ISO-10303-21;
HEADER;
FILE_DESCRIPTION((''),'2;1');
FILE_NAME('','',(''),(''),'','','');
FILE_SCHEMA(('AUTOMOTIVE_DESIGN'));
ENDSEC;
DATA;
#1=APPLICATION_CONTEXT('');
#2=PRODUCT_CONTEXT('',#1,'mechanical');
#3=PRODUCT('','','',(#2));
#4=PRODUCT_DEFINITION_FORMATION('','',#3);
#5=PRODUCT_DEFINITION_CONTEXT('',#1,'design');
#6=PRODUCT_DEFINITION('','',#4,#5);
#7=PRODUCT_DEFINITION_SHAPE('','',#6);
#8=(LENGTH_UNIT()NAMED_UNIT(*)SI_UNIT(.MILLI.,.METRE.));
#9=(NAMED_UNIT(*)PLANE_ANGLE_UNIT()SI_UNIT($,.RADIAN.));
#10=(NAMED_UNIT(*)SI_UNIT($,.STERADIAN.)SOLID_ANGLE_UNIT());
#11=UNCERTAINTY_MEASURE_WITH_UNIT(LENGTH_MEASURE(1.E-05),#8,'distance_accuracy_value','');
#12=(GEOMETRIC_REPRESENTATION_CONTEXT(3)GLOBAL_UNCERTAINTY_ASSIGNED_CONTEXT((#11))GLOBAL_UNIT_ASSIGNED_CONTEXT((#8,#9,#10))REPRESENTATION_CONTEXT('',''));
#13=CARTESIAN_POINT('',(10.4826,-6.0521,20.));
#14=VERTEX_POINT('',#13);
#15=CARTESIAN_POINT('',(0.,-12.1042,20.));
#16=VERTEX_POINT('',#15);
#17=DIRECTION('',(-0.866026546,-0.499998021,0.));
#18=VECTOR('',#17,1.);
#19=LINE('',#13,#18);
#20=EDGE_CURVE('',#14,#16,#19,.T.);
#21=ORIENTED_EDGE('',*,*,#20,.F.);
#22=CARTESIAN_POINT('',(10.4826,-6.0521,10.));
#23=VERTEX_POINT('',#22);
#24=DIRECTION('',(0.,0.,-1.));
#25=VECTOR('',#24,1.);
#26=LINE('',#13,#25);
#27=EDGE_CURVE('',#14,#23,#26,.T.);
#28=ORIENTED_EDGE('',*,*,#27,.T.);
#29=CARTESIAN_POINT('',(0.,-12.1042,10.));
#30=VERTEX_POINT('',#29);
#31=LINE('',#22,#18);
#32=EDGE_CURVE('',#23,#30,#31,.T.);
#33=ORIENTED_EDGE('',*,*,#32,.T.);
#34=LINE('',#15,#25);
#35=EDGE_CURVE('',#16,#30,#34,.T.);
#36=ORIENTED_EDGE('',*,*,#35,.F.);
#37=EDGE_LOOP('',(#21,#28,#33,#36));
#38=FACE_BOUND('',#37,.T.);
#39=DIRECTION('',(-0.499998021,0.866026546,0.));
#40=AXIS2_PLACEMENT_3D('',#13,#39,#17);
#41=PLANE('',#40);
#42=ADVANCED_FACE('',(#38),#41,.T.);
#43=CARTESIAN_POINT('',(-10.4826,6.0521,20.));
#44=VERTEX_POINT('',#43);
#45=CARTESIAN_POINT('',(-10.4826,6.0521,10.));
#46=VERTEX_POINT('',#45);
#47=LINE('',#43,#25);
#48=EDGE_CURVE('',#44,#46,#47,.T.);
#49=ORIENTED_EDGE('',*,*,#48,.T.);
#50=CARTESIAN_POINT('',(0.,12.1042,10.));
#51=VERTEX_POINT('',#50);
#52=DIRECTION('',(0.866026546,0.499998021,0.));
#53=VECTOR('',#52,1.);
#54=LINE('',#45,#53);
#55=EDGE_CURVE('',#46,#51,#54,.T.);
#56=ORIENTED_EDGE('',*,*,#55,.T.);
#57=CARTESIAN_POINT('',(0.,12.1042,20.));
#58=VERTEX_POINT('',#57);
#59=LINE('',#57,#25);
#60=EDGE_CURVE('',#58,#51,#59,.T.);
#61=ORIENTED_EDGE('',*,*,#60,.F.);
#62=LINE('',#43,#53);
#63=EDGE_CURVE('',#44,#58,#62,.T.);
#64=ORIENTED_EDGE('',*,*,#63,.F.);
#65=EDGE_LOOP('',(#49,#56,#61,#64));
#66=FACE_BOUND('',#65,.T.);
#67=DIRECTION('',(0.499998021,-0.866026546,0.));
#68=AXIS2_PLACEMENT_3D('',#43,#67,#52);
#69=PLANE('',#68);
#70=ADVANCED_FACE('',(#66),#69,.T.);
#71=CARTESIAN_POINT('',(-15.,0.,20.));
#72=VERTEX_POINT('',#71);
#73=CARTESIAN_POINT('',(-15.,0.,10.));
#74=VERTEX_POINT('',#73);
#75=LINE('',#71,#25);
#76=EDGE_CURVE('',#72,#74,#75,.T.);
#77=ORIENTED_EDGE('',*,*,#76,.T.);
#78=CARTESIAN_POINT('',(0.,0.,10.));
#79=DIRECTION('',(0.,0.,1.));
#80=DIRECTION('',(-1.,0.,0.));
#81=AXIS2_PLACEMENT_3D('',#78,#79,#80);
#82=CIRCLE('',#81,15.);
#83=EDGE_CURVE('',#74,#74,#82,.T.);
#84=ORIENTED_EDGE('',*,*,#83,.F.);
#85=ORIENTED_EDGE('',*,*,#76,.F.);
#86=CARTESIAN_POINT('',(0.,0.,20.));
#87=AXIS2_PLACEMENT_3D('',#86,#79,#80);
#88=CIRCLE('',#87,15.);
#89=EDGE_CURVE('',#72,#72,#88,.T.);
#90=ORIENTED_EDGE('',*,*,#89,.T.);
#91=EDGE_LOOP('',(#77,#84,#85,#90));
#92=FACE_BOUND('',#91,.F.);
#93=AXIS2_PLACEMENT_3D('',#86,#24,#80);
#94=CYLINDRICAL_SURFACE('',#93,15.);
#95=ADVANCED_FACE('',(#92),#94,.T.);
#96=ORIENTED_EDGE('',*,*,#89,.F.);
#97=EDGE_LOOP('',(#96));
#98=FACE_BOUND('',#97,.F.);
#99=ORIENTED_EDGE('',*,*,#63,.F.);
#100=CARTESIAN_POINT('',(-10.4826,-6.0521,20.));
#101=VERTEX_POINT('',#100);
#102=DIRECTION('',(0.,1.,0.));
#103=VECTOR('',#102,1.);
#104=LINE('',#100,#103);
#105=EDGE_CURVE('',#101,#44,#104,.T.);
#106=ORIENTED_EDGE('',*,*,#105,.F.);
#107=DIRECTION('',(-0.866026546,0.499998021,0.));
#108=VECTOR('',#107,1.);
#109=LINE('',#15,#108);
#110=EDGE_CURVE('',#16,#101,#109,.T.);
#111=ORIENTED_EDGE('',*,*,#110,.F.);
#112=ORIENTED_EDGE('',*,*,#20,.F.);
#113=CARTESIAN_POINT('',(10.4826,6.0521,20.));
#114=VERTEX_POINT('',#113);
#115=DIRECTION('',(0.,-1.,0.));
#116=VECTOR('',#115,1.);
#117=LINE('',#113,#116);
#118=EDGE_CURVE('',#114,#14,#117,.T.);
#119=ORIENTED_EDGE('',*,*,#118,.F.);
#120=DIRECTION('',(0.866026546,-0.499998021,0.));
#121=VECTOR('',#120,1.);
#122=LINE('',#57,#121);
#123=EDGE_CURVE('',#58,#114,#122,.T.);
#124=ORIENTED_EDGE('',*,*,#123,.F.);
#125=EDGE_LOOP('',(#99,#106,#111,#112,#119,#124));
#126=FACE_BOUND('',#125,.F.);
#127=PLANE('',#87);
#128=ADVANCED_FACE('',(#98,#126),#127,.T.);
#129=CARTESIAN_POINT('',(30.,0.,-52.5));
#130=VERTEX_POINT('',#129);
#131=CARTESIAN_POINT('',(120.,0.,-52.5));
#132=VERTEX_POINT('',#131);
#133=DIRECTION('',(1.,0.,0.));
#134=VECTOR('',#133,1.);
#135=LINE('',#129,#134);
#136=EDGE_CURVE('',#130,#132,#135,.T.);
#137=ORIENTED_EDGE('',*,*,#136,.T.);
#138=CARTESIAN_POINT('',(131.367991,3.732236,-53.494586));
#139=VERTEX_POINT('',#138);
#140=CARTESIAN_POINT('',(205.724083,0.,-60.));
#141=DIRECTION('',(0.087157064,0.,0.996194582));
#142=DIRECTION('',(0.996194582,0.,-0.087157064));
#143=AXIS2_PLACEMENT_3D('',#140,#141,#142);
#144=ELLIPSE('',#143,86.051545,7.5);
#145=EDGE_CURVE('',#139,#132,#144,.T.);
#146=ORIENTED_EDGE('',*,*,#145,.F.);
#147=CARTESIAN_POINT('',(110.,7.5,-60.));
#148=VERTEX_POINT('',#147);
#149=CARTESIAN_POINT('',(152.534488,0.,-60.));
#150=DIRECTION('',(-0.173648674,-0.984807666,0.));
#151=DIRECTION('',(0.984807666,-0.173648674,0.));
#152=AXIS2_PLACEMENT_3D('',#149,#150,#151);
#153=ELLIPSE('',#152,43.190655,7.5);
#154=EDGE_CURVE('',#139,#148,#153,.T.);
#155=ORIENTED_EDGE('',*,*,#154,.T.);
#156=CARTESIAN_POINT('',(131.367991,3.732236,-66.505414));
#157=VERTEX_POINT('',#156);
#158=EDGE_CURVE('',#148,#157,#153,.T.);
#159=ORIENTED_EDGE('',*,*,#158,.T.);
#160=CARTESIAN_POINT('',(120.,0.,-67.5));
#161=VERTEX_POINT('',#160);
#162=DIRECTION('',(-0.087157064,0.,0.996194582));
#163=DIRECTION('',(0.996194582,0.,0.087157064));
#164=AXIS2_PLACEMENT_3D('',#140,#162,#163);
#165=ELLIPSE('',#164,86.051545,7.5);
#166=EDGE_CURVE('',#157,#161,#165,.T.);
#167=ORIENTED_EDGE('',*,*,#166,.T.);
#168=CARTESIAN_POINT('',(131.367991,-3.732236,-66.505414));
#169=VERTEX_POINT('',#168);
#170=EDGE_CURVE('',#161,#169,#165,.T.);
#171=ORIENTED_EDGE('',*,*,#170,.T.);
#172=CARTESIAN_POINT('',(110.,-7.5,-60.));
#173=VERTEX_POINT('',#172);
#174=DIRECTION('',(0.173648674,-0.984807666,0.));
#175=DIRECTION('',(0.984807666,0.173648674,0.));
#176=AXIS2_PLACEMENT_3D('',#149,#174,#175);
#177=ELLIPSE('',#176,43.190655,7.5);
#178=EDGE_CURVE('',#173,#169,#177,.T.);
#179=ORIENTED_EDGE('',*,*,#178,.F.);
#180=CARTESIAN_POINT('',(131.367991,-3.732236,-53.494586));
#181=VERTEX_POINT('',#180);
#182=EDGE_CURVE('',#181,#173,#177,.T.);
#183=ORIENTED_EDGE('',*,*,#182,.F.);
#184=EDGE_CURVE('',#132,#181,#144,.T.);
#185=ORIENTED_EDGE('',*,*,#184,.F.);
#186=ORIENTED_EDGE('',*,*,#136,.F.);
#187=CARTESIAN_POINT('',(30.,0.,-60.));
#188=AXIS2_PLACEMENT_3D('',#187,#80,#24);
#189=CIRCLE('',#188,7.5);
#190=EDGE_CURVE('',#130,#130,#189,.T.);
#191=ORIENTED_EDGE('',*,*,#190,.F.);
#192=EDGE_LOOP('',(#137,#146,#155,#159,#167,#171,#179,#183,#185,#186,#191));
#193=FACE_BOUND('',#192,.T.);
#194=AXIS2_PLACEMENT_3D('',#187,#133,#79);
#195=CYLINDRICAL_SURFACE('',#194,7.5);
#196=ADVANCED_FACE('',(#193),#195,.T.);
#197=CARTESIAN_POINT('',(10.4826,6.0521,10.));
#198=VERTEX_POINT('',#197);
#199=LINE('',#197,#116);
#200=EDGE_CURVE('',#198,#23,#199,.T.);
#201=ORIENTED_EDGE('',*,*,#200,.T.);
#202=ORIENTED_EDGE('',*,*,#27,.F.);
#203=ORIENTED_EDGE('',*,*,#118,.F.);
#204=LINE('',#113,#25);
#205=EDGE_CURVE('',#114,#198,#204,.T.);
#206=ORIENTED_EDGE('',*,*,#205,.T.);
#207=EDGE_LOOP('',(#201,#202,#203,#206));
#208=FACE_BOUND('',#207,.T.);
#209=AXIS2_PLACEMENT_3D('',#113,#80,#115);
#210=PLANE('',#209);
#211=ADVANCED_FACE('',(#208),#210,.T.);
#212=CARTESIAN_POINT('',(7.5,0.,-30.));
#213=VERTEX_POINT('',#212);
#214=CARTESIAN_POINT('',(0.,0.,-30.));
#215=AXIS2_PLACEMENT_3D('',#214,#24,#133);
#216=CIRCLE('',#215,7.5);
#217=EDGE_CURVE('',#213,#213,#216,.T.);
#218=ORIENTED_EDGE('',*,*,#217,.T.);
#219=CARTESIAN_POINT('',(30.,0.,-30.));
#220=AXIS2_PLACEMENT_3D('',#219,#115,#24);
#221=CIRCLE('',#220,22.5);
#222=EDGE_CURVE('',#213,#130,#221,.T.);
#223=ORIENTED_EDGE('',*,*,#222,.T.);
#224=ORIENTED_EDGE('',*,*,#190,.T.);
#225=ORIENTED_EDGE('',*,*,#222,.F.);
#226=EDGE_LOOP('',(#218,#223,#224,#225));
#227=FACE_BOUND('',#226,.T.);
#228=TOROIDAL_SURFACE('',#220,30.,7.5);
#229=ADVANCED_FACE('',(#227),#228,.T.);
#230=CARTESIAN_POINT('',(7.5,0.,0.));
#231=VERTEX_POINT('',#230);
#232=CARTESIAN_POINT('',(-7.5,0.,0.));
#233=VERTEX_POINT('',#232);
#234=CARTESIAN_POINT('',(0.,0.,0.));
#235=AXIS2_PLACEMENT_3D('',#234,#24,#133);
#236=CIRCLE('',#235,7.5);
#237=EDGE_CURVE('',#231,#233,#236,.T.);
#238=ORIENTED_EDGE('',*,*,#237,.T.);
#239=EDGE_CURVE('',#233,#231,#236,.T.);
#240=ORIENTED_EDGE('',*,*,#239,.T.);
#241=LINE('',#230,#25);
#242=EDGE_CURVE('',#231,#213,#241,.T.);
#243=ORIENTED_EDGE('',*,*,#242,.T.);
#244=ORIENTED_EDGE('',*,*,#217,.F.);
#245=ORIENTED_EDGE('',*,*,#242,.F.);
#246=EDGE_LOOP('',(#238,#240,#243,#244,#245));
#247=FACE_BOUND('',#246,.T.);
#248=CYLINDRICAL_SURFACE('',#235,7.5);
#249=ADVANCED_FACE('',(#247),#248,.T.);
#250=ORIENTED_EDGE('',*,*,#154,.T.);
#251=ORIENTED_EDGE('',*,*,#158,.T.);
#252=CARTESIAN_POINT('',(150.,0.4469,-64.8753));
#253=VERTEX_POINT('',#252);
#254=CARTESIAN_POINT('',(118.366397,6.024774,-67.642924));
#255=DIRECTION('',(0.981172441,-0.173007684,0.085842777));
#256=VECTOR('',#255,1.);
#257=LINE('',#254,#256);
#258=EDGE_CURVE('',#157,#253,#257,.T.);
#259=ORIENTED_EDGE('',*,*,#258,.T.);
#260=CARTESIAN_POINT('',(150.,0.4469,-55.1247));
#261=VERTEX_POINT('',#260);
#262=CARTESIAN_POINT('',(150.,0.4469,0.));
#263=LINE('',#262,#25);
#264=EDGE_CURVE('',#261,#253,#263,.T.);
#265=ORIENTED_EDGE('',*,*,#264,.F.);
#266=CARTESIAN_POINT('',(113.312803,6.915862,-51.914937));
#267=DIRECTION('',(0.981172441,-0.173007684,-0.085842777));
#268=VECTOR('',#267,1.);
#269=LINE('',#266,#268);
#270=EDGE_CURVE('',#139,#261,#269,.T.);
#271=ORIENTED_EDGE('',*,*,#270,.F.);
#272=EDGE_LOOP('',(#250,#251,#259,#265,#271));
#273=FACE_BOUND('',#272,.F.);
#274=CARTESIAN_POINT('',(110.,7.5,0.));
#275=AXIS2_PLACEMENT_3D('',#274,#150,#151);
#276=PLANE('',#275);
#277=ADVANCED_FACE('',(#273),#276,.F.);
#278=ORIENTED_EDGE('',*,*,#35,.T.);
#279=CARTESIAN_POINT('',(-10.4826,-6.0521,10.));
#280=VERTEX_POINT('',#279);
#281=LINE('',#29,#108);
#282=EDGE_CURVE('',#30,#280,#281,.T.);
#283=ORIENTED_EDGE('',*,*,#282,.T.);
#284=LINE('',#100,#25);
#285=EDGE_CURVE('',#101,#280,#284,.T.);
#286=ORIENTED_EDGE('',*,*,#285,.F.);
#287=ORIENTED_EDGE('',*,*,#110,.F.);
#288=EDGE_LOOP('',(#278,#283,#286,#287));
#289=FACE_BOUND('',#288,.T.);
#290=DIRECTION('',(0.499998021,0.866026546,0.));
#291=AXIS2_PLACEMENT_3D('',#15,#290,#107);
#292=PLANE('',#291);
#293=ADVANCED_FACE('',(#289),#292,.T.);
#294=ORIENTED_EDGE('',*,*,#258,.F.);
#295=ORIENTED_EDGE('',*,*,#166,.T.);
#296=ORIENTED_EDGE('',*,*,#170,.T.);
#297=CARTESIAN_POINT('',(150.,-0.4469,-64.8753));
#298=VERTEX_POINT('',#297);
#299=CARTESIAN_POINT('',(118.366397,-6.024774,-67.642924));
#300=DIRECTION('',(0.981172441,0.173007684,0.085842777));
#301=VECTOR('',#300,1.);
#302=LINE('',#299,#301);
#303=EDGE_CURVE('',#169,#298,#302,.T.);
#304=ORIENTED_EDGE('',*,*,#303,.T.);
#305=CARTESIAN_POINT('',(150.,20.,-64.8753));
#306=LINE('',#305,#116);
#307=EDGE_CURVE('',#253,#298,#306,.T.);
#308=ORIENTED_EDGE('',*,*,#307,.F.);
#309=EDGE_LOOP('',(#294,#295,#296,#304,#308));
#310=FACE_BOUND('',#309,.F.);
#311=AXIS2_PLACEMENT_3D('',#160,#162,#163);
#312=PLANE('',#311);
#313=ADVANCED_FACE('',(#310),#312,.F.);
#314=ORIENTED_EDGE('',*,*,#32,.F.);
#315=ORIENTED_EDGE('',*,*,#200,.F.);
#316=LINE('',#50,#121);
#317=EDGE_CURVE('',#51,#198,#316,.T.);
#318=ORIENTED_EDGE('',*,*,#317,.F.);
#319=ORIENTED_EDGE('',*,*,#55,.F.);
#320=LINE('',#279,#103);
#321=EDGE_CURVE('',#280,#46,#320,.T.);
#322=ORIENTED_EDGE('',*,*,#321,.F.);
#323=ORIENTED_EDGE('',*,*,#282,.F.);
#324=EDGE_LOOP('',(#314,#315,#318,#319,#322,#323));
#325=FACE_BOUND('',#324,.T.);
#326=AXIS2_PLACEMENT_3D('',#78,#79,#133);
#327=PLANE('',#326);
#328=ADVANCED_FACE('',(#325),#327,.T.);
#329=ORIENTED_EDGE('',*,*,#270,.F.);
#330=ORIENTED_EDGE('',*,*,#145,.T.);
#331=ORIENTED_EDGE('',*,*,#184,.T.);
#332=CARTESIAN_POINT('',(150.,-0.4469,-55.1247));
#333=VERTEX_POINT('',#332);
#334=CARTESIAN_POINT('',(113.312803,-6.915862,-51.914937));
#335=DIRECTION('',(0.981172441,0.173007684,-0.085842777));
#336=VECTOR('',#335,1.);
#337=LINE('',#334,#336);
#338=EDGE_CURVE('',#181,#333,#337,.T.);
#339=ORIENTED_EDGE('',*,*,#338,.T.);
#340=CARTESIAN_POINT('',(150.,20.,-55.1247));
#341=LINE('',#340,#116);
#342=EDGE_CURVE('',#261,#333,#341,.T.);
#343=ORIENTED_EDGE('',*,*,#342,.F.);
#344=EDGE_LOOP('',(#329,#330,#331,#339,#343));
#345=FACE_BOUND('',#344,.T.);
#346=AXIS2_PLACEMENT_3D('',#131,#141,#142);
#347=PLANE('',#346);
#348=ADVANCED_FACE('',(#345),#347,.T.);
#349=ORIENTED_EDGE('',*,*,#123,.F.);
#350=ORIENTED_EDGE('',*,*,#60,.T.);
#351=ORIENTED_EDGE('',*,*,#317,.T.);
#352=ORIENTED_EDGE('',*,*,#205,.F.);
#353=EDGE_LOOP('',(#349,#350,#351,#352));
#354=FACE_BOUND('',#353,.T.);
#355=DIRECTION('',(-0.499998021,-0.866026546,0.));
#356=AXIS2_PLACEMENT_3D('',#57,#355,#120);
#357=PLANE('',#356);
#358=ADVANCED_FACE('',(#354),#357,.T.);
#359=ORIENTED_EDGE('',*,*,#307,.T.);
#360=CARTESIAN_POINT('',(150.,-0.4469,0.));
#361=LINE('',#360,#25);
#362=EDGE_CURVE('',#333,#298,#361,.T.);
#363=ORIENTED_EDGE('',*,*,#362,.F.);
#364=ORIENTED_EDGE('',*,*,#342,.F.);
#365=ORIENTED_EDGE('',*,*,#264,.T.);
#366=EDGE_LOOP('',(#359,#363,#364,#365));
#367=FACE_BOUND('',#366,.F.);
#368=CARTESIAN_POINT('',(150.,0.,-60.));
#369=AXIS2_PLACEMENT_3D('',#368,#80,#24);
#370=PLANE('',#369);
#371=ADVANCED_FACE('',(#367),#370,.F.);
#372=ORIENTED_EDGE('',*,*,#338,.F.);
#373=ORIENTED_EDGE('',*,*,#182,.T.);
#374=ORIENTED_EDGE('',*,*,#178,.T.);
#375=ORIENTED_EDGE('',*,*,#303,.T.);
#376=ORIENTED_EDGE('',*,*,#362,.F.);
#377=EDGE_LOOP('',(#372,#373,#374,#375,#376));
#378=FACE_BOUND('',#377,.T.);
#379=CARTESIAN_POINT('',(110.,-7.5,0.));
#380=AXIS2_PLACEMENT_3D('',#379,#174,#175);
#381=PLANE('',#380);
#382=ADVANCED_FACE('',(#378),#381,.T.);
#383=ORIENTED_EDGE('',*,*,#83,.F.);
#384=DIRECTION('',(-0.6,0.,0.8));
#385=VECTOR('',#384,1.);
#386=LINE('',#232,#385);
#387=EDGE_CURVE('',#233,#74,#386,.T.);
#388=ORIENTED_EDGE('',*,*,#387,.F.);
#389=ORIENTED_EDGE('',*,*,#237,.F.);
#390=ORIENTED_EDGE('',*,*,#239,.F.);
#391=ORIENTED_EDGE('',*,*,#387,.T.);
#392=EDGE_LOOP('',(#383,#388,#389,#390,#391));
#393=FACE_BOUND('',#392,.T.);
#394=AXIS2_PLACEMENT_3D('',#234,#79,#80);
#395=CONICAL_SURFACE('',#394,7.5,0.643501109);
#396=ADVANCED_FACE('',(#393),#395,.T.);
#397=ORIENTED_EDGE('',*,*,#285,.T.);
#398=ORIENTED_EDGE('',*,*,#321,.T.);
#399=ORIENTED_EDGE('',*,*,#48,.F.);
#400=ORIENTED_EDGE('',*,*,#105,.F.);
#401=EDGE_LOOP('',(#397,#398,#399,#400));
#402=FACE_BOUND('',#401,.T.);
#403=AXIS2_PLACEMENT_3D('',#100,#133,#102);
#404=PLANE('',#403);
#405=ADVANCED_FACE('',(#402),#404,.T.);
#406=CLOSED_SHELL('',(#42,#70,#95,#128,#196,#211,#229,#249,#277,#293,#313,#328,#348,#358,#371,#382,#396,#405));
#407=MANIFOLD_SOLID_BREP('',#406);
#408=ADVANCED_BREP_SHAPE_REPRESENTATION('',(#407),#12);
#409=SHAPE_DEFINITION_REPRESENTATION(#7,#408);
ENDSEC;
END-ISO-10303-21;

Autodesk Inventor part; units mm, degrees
ref_plane "YZ Plane" through (0, 0, 0) normal (1, 0, 0) x (0, 1, 0)
ref_plane "XZ Plane" through (0, 0, 0) normal (0, 1, 0) x (-1, 0, 0)
ref_plane "XY Plane" through (0, 0, 0) normal (0, 0, 1) x (1, 0, 0)
sketch "Эскиз1" plane through (0, 0, 0) normal (0, 1, 0) x (-1, 0, 0)
  line L0 (0, 0) -> (0, -30)
  line L1 (-30, -60) -> (-150, -60)
  arc A0 (-30, -60) -> (0, -30) centre (-30, -30) ccw
  point P0 (0, -60)
  dimension "d0" = 60
  dimension "d1" = 150
  dimension "d2" = 30
sketch "Эскиз2" plane through (0, 0, 0) normal (0, 0, 1) x (1, 0, 0)
  circle A0 centre (0, 0) radius 7.5
  dimension "d3" = 15
sweep "Сдвиг1" add profiles "Эскиз2" path "Эскиз1"
sketch "Эскиз3" plane through (0, 0, 0) normal (0, 1, 0) x (-1, 0, 0)
  line L0 (-120, -52.5) -> (-150, -55.1247)
  line L1 (-120, -67.5) -> (-150, -64.8753)
  line L2 (-150, -64.8753) -> (-150, -55.1247)
  line L3 (-150, -52.5) -> (-150, -67.5) projected
  line L4 (-120, -52.5) -> (-150.8821, -45.0422)
  line L5 (-150.8821, -45.0422) -> (-158.2895, -61.433)
  line L6 (-158.2895, -61.433) -> (-150, -78.5011)
  line L7 (-150, -78.5011) -> (-120, -67.5)
  point P0 (0, 0)
extrude "Выдавливание1" cut sketch "Эскиз3" against normal mid plane 40
sketch "Эскиз4" plane through (0, 0, 0) normal (0, 0, 1) x (1, 0, 0)
  line L0 (30, 7.5) -> (150, 7.5) projected
  line L1 (110, 7.5) -> (150.3931, 7.5) construction
  line L2 (30, -7.5) -> (150, -7.5) projected
  line L3 (110, 7.5) -> (159.1062, 20.8998)
  line L4 (159.1062, 20.8998) -> (172.0854, -18.5057)
  line L5 (172.0854, -18.5057) -> (124.0272, -32.5373)
  line L6 (124.0272, -32.5373) -> (110, -7.5)
  line L7 (110, 7.5) -> (150, 0.4469)
  line L8 (150, -5.6992) -> (150, 5.6992) projected
  line L9 (110, 7.5) -> (150.6171, 7.5) construction
  line L10 (110, -7.5) -> (150, -0.4469)
  line L11 (150, 0.4469) -> (150, -0.4469)
  point P0 (0, 0)
  dimension "d13" = 10
extrude "Выдавливание2" cut sketch "Эскиз4" against normal blind 120
sketch "Эскиз5" plane through (0, 0, 0) normal (0, 1, 0) x (-1, 0, 0)
  line L0 (0, 0) -> (0, 20)
  line L1 (0, 20) -> (15, 20)
  line L2 (15, 20) -> (15, 10)
  line L3 (7.5, 0) -> (-7.5, 0) projected
  line L4 (7.5, 0) -> (15, 10)
  dimension "d14" = 20
  dimension "d15" = 15
  dimension "d16" = 10
revolve "Вращение1" add sketch "Эскиз5" angle 360 about axis through (0, 0, 0) along (0, 0, 1)
sketch "Эскиз10" plane through (0, 0, 20) normal (0, 0, 1) x (1, 0, 0)
  line L0 (0, 12.1042) -> (10.4826, 6.0521)
  line L1 (10.4826, 6.0521) -> (10.4826, -6.0521)
  line L2 (10.4826, -6.0521) -> (0, -12.1042)
  line L3 (0, -12.1042) -> (-10.4826, -6.0521)
  line L4 (-10.4826, -6.0521) -> (-10.4826, 6.0521)
  line L5 (-10.4826, 6.0521) -> (0, 12.1042)
  point P0 (0, 0)
  point P1 (0, 0)
extrude "Выдавливание3" cut sketch "Эскиз10" against normal blind 10
properties part number "ключ" material "Сталь, гальванизированная"
